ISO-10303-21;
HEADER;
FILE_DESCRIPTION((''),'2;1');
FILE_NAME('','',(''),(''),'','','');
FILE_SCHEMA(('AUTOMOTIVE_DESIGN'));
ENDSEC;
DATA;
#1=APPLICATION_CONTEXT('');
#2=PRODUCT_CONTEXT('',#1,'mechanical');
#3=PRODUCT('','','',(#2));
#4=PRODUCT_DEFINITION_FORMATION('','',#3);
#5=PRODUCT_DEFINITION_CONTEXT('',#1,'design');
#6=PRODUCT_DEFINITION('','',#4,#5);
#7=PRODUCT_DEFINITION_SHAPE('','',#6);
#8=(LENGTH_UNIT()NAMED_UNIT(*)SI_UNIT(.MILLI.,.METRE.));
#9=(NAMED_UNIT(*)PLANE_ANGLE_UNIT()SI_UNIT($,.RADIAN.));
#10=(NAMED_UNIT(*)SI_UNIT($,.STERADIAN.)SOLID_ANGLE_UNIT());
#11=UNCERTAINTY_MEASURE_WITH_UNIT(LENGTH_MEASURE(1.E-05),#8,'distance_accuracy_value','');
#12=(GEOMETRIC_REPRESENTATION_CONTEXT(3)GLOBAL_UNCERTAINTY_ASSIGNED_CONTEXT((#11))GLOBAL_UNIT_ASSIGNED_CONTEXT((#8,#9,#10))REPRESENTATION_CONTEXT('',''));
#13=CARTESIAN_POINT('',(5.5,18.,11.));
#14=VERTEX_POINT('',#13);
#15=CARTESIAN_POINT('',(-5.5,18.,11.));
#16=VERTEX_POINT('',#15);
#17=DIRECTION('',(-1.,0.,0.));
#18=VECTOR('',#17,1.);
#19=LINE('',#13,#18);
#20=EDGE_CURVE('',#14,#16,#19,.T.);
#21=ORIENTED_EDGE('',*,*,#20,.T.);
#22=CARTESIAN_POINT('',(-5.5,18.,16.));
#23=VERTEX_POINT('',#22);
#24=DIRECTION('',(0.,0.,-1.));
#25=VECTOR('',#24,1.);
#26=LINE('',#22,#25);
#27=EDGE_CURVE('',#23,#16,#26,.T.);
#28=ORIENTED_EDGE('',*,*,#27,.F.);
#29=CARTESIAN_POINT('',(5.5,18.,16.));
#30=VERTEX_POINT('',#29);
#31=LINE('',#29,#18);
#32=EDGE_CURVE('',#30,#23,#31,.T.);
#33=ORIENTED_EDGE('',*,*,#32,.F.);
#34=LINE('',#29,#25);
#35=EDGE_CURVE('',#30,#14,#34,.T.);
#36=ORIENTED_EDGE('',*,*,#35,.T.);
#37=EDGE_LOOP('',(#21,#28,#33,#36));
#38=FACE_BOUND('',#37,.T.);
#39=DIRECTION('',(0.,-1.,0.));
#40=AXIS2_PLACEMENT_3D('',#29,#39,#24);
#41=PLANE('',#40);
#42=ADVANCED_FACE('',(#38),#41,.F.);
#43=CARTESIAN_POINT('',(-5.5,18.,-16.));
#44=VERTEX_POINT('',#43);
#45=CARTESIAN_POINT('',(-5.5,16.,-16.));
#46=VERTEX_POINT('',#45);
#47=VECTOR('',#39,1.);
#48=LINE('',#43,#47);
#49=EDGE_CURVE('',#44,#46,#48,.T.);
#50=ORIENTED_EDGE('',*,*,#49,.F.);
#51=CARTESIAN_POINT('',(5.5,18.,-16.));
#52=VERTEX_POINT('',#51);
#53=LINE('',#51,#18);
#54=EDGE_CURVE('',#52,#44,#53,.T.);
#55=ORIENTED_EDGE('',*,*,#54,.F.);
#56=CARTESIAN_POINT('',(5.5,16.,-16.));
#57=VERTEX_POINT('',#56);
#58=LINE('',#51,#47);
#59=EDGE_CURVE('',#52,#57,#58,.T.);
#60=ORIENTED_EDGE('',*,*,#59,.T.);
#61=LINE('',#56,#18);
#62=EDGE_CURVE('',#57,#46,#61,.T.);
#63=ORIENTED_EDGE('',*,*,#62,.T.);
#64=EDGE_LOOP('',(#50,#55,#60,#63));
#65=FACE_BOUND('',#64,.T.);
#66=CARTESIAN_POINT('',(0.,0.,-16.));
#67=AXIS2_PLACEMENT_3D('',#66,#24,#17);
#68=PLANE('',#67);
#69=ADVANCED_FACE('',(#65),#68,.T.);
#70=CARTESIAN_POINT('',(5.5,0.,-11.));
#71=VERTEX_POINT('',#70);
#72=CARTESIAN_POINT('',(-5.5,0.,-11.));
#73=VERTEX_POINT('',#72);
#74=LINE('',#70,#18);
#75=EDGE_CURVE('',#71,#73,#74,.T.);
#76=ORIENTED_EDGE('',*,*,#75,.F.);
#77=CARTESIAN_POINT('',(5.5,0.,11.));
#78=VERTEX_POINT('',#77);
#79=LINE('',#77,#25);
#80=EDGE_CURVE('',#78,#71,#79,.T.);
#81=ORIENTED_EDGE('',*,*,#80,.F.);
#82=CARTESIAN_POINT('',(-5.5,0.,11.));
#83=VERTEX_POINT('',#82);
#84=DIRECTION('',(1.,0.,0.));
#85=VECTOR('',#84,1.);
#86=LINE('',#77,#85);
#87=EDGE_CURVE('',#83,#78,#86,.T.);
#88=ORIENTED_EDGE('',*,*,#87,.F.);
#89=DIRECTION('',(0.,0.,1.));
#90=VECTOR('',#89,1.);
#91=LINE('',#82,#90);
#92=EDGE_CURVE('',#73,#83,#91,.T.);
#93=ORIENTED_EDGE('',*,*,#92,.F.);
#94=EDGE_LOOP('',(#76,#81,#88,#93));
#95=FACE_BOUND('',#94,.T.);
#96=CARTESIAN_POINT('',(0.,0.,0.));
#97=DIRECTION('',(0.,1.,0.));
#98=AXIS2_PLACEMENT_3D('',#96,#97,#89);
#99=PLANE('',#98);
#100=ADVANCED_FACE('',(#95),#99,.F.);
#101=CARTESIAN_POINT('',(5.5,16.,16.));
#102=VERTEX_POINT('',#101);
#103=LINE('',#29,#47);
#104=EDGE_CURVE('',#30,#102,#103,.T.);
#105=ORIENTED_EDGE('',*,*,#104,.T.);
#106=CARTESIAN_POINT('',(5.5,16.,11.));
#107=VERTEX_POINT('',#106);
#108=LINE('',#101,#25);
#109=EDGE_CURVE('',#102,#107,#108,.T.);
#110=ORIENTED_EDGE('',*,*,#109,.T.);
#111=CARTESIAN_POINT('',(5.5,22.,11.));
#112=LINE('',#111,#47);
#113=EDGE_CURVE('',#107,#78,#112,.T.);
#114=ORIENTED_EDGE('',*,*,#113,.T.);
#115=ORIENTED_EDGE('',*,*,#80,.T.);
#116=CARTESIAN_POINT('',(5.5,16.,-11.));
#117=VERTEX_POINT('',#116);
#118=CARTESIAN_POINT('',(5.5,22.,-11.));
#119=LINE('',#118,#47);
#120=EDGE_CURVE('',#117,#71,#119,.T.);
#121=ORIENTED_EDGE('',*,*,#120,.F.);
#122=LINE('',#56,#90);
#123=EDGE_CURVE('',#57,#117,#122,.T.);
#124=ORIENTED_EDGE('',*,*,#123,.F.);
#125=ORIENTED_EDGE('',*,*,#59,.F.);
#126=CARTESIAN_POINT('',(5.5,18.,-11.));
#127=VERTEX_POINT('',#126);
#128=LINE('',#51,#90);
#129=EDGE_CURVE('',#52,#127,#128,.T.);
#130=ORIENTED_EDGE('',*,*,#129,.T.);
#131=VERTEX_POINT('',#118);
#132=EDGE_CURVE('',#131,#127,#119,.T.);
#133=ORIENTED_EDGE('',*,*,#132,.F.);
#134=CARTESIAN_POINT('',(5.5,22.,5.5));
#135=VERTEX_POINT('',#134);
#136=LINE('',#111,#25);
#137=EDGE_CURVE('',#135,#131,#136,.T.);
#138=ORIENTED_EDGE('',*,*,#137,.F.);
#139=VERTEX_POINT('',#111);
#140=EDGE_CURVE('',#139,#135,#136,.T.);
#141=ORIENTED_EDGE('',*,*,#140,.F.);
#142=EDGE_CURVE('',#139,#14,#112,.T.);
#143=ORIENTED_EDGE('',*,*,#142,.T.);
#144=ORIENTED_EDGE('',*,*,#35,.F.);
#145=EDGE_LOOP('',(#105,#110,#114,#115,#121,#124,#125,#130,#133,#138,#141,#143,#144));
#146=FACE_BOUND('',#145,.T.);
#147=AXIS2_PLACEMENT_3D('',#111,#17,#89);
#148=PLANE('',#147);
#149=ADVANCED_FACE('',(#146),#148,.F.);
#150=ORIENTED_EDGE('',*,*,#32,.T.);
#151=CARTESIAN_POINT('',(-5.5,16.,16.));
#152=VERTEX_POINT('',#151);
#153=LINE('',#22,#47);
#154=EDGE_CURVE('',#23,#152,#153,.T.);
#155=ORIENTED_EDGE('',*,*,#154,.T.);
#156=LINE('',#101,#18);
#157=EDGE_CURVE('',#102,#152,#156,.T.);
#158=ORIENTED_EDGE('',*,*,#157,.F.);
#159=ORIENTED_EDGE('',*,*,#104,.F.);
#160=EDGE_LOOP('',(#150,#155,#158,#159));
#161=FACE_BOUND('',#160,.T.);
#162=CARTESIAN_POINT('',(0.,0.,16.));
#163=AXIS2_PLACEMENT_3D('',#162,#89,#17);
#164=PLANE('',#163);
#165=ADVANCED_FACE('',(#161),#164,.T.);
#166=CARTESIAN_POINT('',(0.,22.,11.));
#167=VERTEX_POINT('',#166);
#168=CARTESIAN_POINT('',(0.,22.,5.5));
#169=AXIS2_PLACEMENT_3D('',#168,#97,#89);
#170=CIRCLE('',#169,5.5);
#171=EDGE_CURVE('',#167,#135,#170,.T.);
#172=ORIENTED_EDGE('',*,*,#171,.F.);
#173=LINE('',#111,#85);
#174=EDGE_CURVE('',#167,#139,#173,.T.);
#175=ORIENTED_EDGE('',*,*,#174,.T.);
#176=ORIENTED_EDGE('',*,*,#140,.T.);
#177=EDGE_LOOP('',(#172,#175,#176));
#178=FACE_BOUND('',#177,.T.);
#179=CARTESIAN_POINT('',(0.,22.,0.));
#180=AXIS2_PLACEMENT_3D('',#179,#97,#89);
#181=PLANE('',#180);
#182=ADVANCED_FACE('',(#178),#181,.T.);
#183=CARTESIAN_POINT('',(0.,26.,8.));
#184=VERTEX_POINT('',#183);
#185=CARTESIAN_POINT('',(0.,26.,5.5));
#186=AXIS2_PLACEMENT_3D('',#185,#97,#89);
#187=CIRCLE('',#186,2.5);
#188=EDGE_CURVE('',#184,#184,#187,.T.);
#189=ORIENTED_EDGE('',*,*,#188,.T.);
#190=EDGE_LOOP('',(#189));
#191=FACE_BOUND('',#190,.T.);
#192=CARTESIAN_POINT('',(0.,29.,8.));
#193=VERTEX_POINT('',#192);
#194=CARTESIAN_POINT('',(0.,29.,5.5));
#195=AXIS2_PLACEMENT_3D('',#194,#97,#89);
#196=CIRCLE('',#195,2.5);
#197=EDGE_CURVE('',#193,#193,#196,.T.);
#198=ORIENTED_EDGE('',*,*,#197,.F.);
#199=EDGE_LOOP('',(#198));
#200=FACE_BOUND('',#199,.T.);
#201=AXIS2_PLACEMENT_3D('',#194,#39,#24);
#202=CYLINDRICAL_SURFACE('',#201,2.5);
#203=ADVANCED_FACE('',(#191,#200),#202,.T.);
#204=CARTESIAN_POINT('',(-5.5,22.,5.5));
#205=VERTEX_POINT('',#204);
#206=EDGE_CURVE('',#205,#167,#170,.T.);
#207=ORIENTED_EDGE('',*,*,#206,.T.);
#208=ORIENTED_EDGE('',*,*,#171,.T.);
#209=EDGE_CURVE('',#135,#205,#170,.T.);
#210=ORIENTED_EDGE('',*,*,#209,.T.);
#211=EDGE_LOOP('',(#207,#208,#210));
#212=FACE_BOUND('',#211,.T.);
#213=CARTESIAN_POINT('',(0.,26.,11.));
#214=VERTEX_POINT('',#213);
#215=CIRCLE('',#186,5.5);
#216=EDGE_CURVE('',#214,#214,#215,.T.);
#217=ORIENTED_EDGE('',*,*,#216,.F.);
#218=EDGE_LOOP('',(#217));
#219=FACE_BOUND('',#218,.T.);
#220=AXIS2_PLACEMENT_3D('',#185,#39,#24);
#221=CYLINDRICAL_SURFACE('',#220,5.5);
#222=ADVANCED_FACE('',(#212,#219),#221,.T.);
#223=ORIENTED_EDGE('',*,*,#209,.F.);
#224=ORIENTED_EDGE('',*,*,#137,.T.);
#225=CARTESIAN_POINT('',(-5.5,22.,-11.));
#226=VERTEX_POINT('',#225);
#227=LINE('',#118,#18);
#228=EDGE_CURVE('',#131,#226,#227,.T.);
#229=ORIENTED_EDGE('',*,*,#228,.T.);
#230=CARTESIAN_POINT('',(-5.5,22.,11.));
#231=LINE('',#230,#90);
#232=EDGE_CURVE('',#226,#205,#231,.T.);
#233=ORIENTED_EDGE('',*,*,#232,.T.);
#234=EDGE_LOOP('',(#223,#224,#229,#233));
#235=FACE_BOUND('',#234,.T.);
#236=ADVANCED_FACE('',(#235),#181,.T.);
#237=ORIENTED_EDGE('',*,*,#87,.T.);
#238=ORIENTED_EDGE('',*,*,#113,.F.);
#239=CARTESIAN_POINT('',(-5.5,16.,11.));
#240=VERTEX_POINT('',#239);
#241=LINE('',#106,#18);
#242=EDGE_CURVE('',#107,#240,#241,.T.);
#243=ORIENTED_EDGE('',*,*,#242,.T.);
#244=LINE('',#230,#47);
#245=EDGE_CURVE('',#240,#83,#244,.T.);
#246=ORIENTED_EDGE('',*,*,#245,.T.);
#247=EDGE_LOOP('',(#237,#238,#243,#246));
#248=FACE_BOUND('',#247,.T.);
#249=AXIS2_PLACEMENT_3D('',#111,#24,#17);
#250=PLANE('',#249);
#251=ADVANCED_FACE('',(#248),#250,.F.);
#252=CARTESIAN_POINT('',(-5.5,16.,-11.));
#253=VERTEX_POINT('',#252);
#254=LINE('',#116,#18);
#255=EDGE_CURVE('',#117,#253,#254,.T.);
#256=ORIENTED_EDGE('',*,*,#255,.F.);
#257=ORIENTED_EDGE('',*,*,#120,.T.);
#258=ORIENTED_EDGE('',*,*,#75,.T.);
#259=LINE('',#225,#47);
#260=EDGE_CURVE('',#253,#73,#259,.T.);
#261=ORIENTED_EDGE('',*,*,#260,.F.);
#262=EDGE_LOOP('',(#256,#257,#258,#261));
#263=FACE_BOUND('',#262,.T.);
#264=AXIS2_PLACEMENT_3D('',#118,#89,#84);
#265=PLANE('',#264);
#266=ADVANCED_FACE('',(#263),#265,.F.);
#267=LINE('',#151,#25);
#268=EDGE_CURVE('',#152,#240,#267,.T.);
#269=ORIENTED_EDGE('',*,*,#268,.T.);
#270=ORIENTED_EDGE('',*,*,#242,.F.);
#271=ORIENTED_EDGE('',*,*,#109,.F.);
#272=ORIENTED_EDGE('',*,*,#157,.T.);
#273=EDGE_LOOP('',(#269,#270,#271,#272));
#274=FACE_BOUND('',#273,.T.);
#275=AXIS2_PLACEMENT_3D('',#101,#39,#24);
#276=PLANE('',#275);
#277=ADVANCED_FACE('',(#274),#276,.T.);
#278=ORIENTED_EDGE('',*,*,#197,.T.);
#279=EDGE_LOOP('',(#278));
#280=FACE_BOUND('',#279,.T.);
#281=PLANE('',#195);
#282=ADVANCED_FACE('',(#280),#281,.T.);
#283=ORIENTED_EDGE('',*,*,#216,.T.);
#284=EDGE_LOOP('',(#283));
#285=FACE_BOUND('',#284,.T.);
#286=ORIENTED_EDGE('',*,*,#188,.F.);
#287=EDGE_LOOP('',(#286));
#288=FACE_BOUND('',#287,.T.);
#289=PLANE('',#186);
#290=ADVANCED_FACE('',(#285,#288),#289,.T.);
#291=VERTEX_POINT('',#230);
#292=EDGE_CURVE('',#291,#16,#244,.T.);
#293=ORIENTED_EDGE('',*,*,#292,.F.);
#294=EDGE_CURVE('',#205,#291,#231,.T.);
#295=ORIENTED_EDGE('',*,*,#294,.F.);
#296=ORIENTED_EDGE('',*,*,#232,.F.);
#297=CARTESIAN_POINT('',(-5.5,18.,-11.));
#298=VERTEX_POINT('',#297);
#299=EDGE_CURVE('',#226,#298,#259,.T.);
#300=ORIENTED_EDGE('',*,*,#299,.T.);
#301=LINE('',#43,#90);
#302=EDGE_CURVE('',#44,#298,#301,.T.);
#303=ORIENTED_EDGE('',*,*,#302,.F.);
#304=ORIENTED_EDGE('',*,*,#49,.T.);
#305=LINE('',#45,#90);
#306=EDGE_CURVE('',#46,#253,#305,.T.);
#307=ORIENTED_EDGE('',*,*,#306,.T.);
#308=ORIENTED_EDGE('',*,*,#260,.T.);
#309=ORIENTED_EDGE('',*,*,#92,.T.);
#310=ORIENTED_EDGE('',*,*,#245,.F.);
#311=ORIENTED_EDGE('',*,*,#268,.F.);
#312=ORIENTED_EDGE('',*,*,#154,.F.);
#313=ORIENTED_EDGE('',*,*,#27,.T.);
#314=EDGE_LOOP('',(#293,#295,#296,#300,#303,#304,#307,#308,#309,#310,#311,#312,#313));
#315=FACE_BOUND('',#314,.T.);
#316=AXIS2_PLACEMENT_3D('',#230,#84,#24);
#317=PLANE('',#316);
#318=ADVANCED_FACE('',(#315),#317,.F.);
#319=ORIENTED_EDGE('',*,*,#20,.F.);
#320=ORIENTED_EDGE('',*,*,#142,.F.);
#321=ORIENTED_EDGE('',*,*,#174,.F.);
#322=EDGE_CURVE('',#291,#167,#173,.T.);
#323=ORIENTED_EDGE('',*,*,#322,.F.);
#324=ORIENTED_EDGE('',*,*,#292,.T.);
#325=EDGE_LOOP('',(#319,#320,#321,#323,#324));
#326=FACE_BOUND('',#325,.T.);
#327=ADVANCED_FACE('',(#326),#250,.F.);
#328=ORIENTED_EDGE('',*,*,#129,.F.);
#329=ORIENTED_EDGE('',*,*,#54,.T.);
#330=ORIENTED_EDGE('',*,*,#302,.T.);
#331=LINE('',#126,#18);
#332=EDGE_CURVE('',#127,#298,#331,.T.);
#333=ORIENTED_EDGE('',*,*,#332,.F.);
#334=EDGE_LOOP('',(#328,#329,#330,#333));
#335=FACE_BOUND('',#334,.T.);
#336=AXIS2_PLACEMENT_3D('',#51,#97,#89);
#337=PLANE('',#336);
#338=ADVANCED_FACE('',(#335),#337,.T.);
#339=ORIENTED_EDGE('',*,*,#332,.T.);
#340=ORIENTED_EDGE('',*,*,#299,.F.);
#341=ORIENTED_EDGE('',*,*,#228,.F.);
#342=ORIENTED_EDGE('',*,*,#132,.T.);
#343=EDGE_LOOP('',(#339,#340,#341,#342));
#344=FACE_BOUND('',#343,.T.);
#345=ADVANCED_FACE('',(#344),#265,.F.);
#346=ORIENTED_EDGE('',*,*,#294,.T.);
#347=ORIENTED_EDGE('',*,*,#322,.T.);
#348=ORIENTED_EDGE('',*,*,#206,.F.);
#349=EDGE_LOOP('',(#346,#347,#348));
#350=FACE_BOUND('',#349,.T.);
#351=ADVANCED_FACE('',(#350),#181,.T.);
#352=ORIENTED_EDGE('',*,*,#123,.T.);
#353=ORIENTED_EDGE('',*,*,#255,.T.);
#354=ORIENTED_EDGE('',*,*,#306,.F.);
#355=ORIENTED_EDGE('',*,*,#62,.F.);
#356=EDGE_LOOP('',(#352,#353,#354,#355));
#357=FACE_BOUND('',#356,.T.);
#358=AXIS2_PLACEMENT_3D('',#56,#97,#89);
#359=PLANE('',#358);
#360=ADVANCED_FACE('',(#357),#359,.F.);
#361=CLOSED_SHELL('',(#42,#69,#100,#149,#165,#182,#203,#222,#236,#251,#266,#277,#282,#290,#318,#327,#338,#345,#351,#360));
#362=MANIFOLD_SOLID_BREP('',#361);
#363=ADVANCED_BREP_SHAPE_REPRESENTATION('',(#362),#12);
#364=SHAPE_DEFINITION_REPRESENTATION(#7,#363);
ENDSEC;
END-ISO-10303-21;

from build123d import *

# Parameters (mm, degrees)
SKETCH1_W           = 11
SKETCH1_H           = 22
BOSS_EXTRUDE1_DEPTH = 22
SKETCH3_W           = 11
SKETCH3_H           = 2
BOSS_EXTRUDE3_DEPTH = 5
SKETCH2_R           = 5.5
BOSS_EXTRUDE4_DEPTH = 4
SKETCH4_R           = 2.5
BOSS_EXTRUDE5_DEPTH = 3


with BuildPart() as part:
    # Sketch1 → Boss-Extrude1 (new body)
    with BuildSketch(Plane(origin=(0, 0, 0), x_dir=(1, 0, 0), z_dir=(0, 1, 0))):
        Rectangle(SKETCH1_W, SKETCH1_H)
    extrude(amount=BOSS_EXTRUDE1_DEPTH)

    # Sketch3 → Boss-Extrude3 (add)
    with BuildSketch(Plane(origin=(0, 0, -11), x_dir=(-1, 0, 0), z_dir=(0, 0, -1))):
        with Locations((0, 17)):
            Rectangle(SKETCH3_W, SKETCH3_H)
    boss_extrude3 = extrude(amount=BOSS_EXTRUDE3_DEPTH)

    # Mirror1: Boss-Extrude3 across plane
    add(boss_extrude3.mirror(Plane.XY))

    # Sketch2 → Boss-Extrude4 (add)
    with BuildSketch(Plane(origin=(0, 22, 0), x_dir=(1, 0, 0), z_dir=(0, 1, 0))):
        with Locations(Location((0, -5.5, 0), (0, 0, 270))):
            Circle(SKETCH2_R)
    extrude(amount=BOSS_EXTRUDE4_DEPTH)

    # Sketch4 → Boss-Extrude5 (add)
    with BuildSketch(Plane(origin=(0, 26, 0), x_dir=(1, 0, 0), z_dir=(0, 1, 0))):
        with Locations(Location((0, -5.5, 0), (0, 0, 270))):
            Circle(SKETCH4_R)
    extrude(amount=BOSS_EXTRUDE5_DEPTH)


solid = part.part
